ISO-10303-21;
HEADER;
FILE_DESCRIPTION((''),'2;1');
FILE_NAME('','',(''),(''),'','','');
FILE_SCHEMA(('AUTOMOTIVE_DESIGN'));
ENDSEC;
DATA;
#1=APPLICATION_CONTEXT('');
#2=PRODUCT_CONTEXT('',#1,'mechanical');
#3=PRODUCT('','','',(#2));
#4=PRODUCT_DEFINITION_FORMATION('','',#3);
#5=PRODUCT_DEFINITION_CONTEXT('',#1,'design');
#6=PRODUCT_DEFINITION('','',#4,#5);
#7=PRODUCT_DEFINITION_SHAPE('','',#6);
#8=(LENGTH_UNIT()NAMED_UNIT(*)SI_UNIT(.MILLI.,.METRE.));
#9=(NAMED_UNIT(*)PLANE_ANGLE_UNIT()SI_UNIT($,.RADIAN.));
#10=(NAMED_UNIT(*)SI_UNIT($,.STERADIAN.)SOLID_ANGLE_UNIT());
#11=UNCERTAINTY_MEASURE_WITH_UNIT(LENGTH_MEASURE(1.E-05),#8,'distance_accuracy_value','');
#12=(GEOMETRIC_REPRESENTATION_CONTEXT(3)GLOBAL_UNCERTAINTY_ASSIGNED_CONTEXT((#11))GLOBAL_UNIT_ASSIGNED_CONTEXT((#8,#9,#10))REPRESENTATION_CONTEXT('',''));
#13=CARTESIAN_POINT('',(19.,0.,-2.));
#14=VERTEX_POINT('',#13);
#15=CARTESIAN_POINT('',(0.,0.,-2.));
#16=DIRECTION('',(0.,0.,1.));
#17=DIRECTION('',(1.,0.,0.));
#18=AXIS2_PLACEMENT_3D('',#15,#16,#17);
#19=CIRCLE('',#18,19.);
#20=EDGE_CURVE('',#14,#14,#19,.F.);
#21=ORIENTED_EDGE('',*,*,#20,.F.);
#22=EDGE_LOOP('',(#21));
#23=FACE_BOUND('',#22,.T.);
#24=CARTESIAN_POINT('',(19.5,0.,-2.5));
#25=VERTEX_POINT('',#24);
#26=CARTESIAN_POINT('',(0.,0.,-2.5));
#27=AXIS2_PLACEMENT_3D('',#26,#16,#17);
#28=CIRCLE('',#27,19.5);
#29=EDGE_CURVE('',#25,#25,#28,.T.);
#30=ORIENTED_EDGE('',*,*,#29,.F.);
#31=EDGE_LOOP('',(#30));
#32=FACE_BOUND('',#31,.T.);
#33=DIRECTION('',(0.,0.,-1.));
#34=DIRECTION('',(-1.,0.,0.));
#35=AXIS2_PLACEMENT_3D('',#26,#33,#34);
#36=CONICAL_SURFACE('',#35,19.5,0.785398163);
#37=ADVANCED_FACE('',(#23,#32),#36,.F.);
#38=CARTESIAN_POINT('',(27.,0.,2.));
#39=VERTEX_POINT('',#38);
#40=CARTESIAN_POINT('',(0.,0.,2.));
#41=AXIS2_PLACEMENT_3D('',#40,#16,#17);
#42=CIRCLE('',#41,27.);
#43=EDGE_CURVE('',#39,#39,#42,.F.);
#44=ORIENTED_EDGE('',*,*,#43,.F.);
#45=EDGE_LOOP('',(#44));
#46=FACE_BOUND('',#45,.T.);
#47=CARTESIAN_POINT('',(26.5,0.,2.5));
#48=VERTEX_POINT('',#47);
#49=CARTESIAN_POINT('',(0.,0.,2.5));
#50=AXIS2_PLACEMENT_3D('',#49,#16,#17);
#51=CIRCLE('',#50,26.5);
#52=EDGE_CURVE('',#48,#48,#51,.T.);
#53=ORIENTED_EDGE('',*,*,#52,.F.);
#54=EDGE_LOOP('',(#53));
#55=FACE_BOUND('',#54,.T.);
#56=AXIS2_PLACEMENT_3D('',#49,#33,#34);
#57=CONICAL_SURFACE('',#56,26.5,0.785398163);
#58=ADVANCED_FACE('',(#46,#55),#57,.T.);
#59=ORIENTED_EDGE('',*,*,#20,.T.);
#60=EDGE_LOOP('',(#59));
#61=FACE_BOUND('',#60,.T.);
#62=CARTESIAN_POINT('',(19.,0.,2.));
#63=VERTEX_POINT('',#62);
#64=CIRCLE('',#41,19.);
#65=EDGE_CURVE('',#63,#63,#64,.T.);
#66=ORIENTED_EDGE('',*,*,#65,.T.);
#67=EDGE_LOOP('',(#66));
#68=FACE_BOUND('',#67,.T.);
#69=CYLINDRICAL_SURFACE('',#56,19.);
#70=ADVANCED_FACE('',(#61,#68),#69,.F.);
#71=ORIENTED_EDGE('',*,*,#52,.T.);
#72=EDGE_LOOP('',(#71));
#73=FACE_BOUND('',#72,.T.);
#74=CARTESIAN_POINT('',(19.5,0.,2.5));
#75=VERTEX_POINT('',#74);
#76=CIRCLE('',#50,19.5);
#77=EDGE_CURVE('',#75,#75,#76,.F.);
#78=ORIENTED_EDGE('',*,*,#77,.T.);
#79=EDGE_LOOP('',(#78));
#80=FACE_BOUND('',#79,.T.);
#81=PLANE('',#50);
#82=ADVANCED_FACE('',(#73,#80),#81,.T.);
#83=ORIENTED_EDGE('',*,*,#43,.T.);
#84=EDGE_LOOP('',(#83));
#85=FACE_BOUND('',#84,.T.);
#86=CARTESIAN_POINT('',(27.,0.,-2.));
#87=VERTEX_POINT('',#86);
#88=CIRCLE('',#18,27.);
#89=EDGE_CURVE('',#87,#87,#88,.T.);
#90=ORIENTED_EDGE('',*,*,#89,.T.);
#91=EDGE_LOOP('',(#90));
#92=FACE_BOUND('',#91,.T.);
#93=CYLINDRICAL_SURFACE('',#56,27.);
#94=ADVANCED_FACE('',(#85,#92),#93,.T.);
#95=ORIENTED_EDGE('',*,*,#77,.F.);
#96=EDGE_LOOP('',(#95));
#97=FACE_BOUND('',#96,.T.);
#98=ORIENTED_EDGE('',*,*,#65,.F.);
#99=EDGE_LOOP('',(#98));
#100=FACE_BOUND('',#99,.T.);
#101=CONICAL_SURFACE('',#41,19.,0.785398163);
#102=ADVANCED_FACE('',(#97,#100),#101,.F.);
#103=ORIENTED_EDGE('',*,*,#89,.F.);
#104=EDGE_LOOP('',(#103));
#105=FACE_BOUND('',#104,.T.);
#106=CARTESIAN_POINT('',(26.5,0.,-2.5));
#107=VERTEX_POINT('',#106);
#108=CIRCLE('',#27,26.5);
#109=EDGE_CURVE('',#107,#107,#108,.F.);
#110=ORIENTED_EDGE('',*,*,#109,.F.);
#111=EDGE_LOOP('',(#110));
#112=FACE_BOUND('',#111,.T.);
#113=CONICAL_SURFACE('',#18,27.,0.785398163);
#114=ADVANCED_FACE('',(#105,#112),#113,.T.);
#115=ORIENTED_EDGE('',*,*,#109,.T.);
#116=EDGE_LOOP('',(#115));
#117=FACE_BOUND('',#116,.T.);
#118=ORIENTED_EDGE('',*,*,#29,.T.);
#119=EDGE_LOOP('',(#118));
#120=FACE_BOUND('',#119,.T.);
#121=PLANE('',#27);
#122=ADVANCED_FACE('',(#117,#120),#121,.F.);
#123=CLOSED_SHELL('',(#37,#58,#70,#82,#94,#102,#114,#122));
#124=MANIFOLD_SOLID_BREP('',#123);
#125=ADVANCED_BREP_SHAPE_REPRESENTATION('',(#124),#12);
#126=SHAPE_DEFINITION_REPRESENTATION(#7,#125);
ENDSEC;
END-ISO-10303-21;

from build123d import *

# Parameters (mm, degrees)
SKIZZE1_R                       = 27
SKIZZE1_R_2                     = 19
AUFSATZ_LINEAR_AUSTRAGEN1_DEPTH = 2.5
FASE1_SIZE                      = 0.5


with BuildPart() as part:
    # Skizze1 → Aufsatz-Linear austragen1 (new, symmetric)
    with BuildSketch(Plane.XY):
        Circle(SKIZZE1_R)
        Circle(SKIZZE1_R_2, mode=Mode.SUBTRACT)
    extrude(amount=AUFSATZ_LINEAR_AUSTRAGEN1_DEPTH, both=True)

    # Fase1
    fase1_edges = [part.edges().sort_by_distance(p)[0] for p in [
        (-27, 0, -2.5),
        (-27, 0, 2.5),
        (-19, 0, -2.5),
        (-19, 0, 2.5),
    ]]
    chamfer(fase1_edges, length=FASE1_SIZE)


solid = part.part
